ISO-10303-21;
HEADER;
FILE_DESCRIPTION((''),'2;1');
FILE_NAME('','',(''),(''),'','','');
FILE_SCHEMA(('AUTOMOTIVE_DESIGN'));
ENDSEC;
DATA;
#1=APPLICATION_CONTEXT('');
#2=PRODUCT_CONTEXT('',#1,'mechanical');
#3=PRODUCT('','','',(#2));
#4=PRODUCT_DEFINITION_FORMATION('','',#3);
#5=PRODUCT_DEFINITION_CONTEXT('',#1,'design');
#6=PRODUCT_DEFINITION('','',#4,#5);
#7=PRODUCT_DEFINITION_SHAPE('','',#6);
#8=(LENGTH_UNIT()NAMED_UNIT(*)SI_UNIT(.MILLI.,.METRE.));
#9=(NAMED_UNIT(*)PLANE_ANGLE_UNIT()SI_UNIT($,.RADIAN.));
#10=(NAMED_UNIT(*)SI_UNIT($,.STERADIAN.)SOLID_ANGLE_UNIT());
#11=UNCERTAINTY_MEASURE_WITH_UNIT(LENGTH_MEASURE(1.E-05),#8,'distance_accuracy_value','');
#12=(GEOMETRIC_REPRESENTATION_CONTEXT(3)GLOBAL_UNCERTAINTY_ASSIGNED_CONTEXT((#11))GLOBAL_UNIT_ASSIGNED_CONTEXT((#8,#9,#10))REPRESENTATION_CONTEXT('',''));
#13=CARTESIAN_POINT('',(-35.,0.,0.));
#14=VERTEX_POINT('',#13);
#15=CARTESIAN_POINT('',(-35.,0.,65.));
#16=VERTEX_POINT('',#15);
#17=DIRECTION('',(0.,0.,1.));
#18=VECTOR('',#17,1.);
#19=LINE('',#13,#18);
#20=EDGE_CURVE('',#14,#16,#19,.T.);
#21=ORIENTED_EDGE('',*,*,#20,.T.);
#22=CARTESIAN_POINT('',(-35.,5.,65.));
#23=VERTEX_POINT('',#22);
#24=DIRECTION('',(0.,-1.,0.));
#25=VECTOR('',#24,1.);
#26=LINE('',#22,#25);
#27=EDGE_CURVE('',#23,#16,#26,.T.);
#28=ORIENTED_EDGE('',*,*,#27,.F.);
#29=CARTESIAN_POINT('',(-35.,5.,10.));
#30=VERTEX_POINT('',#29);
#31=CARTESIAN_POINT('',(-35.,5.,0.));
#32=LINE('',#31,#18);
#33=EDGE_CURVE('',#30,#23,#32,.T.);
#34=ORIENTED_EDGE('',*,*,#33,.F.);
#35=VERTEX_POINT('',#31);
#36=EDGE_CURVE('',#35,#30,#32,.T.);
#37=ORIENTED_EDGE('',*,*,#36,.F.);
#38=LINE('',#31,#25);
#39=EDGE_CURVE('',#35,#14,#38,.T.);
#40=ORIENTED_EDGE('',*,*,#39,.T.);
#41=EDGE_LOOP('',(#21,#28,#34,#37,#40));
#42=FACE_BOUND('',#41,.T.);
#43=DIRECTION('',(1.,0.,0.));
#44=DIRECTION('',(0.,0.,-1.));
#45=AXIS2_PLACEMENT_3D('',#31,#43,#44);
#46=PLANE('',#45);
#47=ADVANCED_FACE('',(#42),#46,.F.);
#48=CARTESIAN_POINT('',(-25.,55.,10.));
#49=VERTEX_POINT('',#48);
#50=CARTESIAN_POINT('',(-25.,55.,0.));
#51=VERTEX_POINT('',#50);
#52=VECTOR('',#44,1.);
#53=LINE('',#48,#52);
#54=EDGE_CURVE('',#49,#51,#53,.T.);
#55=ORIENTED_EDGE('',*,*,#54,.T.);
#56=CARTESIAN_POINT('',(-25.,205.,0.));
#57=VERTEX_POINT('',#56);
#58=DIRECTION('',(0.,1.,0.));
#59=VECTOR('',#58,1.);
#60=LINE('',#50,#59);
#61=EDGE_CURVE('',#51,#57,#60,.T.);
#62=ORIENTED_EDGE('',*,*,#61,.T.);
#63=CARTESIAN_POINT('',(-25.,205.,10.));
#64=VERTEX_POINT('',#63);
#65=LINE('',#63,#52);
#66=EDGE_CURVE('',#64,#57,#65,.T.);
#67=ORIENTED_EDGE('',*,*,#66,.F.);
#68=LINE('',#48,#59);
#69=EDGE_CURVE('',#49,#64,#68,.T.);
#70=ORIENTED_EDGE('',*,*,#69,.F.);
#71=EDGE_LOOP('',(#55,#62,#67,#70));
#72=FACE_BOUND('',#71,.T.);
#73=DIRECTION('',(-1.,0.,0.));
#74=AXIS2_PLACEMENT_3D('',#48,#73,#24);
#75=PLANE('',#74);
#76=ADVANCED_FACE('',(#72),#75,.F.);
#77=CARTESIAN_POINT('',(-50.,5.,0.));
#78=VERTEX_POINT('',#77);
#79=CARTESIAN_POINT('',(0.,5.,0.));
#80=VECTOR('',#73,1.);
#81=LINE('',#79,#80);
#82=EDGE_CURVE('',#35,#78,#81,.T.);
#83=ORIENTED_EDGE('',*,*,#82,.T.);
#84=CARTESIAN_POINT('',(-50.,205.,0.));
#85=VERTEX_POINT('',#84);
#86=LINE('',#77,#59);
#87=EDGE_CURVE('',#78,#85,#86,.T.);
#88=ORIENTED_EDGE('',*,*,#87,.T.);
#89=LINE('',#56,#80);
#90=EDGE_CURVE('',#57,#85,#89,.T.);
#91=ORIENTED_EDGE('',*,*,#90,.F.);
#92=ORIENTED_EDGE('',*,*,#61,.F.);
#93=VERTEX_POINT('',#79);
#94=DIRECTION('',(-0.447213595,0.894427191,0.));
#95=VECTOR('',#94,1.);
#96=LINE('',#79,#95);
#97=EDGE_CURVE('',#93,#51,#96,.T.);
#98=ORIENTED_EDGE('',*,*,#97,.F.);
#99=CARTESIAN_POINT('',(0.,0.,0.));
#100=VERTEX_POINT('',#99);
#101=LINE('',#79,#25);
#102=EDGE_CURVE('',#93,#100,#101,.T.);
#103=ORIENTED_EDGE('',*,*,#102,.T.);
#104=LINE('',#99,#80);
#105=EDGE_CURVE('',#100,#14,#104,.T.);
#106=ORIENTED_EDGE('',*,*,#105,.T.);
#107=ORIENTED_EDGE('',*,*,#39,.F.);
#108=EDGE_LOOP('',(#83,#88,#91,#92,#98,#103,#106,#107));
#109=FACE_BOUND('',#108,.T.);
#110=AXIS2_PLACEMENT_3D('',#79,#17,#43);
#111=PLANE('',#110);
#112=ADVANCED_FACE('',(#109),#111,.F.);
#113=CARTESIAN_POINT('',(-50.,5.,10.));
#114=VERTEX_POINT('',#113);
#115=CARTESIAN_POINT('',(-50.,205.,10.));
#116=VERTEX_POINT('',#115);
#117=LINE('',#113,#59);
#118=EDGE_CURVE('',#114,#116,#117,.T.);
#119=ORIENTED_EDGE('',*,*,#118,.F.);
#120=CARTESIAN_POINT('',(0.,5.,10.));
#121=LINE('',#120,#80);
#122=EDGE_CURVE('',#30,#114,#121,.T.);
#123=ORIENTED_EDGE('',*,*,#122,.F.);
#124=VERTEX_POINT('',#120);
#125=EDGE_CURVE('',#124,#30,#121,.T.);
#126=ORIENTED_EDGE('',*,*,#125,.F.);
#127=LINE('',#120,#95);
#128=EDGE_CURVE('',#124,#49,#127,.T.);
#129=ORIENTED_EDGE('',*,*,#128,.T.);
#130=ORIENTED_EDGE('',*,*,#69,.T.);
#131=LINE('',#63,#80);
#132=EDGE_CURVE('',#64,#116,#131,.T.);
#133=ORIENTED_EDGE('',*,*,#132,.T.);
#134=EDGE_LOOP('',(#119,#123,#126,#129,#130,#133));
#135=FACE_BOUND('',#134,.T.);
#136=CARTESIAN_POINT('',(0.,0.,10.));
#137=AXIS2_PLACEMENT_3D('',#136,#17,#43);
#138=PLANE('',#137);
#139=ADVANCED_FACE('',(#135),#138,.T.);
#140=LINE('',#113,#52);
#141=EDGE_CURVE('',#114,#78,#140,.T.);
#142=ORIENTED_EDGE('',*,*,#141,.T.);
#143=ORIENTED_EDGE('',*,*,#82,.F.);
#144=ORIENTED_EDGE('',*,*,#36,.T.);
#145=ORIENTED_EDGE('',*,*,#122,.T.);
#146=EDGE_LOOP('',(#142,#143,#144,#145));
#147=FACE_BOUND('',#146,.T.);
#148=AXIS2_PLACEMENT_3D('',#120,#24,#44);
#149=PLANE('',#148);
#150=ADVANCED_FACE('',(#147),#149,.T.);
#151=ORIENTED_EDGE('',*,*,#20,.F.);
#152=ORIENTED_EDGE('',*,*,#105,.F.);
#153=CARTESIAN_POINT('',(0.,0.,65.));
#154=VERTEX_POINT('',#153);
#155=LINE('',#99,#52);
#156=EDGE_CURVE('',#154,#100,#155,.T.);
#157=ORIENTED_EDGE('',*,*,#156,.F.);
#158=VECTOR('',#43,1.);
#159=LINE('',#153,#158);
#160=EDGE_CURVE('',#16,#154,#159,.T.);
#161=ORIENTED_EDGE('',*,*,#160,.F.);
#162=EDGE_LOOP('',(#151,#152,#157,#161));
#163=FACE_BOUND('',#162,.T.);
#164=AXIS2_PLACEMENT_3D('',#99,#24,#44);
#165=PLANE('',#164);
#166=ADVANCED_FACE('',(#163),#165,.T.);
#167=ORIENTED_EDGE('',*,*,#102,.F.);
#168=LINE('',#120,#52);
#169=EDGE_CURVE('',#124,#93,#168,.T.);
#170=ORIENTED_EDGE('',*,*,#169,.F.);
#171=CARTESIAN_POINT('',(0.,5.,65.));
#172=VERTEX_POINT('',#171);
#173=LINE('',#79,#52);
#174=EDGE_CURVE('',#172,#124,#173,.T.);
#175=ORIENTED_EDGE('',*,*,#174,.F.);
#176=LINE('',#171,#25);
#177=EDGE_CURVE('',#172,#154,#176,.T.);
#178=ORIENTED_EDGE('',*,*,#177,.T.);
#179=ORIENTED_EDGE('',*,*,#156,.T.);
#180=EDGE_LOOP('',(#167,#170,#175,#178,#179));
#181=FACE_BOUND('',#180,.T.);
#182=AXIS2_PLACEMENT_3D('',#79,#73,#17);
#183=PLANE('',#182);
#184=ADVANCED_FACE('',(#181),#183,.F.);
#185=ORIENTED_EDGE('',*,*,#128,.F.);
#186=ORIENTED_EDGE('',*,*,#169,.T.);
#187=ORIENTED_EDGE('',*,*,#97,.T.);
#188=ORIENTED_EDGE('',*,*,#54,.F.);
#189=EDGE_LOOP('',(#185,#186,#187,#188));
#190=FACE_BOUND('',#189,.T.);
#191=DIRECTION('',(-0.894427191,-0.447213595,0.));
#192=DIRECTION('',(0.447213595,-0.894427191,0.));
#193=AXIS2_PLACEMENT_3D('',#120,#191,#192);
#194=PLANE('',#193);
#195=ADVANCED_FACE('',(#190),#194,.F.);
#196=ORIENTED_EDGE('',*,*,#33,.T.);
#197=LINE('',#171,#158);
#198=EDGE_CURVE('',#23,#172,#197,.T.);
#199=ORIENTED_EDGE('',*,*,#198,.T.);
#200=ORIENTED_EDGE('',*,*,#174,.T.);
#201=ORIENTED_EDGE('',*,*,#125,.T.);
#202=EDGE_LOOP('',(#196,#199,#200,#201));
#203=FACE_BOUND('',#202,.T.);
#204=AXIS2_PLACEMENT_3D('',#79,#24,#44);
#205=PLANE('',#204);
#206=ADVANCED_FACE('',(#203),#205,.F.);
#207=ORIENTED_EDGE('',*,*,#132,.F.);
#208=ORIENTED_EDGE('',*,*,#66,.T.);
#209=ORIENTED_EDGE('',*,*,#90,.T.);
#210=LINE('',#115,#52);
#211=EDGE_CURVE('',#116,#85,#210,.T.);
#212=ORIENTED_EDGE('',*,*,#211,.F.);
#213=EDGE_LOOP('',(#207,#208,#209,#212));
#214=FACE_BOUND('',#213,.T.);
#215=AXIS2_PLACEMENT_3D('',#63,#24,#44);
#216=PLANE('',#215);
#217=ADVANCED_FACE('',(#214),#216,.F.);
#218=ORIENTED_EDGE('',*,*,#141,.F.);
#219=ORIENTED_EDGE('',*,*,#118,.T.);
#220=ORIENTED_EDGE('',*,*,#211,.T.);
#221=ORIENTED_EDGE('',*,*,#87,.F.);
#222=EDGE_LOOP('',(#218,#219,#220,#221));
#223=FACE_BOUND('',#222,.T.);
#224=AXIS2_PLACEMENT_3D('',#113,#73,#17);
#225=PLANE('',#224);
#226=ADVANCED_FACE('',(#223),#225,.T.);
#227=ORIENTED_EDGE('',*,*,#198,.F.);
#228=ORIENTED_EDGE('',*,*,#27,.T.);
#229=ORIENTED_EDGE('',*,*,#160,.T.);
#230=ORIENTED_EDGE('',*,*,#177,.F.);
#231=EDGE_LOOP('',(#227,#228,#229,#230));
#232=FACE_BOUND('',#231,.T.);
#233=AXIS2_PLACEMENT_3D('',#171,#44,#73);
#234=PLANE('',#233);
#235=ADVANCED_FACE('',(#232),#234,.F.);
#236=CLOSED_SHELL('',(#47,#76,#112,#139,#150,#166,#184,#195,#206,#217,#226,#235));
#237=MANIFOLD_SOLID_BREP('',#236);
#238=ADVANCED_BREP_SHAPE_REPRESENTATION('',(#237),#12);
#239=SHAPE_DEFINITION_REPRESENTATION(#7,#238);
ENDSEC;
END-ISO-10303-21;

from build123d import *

# Parameters (mm, degrees)
SKETCH1_W           = 35
SKETCH1_H           = 65
BOSS_EXTRUDE1_DEPTH = 5
BOSS_EXTRUDE2_DEPTH = 10


with BuildPart() as part:
    # Sketch1 → Boss-Extrude1 (new body)
    with BuildSketch(Plane(origin=(0, 0, 0), x_dir=(1, 0, 0), z_dir=(0, 1, 0))):
        with Locations((-17.5, -32.5)):
            Rectangle(SKETCH1_W, SKETCH1_H)
    extrude(amount=BOSS_EXTRUDE1_DEPTH)

    # Sketch2 → Boss-Extrude2 (add)
    with BuildSketch(Plane.XY):
        Polygon((0, 5), (-25, 55), (-25, 205), (-50, 205), (-50, 5), align=None)
    extrude(amount=BOSS_EXTRUDE2_DEPTH)


solid = part.part
